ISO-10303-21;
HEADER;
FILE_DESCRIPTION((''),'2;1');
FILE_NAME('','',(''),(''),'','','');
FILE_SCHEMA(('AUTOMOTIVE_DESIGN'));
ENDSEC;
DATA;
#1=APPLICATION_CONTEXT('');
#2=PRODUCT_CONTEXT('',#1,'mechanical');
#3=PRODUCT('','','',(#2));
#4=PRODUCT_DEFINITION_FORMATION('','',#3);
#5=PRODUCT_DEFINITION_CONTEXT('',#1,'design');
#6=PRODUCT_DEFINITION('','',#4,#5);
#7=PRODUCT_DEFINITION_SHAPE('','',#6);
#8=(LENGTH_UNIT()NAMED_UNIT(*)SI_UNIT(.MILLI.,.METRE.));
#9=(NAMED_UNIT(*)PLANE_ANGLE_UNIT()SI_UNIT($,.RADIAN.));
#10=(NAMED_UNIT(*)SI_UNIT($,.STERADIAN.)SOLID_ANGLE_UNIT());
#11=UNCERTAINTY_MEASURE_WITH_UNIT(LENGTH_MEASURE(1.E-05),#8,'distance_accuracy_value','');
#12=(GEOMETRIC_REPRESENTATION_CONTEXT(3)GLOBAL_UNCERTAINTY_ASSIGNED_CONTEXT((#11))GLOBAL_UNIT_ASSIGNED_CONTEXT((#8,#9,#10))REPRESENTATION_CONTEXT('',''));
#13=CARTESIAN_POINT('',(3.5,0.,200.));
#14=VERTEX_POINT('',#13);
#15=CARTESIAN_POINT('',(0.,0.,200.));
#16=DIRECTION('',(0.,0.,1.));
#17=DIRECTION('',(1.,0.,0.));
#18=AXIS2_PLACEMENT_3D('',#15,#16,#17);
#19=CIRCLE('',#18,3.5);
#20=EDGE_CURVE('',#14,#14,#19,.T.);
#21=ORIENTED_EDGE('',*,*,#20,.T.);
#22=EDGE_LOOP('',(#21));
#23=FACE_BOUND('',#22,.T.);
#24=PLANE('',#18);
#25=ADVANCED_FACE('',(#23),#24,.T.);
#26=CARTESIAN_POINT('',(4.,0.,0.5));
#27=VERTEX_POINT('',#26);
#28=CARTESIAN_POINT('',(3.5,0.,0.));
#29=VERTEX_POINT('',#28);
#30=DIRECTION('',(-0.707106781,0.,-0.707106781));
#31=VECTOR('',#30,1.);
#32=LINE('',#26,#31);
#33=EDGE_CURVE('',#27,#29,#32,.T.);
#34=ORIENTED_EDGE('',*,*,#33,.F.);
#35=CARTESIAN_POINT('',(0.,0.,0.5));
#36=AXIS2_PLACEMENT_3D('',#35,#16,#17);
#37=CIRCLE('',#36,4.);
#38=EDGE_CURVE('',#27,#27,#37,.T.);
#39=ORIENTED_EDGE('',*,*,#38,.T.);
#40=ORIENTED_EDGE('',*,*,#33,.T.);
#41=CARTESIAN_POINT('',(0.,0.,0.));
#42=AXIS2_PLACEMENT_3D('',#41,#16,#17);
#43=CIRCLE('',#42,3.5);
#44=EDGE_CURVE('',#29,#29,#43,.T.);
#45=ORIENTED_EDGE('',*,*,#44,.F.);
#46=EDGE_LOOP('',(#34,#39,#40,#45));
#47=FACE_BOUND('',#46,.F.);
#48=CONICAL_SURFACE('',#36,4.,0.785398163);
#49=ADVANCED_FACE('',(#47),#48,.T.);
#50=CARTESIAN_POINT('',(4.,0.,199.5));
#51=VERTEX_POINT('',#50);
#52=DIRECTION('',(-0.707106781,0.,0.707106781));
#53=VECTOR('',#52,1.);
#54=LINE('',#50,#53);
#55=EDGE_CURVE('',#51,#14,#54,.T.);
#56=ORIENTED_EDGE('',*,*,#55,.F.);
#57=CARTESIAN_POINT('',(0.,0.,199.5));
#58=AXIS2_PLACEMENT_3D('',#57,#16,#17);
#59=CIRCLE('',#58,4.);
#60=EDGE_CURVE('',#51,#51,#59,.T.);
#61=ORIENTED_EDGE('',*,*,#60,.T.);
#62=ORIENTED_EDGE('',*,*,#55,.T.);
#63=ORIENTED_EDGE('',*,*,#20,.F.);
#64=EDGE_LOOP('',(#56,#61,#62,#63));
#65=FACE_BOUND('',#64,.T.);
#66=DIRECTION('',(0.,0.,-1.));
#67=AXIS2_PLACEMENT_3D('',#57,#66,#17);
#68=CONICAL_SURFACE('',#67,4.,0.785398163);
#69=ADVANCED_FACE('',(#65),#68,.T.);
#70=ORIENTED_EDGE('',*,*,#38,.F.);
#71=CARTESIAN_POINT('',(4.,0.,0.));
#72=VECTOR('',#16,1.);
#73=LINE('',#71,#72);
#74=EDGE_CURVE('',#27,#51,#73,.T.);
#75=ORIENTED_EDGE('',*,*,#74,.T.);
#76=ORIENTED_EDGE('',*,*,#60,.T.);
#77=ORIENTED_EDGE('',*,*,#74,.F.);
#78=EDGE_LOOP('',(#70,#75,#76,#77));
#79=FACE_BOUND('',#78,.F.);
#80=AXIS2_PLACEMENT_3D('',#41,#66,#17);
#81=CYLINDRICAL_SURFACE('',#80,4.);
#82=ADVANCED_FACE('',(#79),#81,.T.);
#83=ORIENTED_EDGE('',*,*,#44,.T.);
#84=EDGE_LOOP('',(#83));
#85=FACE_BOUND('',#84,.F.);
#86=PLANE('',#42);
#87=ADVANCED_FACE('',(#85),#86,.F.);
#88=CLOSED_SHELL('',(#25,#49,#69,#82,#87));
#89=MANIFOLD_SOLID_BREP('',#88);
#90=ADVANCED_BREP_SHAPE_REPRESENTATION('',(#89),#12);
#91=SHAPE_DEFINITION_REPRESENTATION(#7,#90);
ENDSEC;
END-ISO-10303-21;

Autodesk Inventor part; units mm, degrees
ref_plane "YZ Plane" through (0, 0, 0) normal (1, 0, 0) x (0, 1, 0)
ref_plane "XZ Plane" through (0, 0, 0) normal (0, 1, 0) x (-1, 0, 0)
ref_plane "XY Plane" through (0, 0, 0) normal (0, 0, 1) x (1, 0, 0)
sketch "Sketch1" plane through (0, 0, 0) normal (0, 0, 1) x (1, 0, 0)
  circle A0 centre (0, 0) radius 4
  dimension "d0" = 8
extrude "Extrusion1" add sketch "Sketch1" along normal blind 200
chamfer "Chamfer1" distance 0.5 angle 45 2 edges at (-4, 0, 0) (-4, 0, 200)
properties part number "T8x200mm"
